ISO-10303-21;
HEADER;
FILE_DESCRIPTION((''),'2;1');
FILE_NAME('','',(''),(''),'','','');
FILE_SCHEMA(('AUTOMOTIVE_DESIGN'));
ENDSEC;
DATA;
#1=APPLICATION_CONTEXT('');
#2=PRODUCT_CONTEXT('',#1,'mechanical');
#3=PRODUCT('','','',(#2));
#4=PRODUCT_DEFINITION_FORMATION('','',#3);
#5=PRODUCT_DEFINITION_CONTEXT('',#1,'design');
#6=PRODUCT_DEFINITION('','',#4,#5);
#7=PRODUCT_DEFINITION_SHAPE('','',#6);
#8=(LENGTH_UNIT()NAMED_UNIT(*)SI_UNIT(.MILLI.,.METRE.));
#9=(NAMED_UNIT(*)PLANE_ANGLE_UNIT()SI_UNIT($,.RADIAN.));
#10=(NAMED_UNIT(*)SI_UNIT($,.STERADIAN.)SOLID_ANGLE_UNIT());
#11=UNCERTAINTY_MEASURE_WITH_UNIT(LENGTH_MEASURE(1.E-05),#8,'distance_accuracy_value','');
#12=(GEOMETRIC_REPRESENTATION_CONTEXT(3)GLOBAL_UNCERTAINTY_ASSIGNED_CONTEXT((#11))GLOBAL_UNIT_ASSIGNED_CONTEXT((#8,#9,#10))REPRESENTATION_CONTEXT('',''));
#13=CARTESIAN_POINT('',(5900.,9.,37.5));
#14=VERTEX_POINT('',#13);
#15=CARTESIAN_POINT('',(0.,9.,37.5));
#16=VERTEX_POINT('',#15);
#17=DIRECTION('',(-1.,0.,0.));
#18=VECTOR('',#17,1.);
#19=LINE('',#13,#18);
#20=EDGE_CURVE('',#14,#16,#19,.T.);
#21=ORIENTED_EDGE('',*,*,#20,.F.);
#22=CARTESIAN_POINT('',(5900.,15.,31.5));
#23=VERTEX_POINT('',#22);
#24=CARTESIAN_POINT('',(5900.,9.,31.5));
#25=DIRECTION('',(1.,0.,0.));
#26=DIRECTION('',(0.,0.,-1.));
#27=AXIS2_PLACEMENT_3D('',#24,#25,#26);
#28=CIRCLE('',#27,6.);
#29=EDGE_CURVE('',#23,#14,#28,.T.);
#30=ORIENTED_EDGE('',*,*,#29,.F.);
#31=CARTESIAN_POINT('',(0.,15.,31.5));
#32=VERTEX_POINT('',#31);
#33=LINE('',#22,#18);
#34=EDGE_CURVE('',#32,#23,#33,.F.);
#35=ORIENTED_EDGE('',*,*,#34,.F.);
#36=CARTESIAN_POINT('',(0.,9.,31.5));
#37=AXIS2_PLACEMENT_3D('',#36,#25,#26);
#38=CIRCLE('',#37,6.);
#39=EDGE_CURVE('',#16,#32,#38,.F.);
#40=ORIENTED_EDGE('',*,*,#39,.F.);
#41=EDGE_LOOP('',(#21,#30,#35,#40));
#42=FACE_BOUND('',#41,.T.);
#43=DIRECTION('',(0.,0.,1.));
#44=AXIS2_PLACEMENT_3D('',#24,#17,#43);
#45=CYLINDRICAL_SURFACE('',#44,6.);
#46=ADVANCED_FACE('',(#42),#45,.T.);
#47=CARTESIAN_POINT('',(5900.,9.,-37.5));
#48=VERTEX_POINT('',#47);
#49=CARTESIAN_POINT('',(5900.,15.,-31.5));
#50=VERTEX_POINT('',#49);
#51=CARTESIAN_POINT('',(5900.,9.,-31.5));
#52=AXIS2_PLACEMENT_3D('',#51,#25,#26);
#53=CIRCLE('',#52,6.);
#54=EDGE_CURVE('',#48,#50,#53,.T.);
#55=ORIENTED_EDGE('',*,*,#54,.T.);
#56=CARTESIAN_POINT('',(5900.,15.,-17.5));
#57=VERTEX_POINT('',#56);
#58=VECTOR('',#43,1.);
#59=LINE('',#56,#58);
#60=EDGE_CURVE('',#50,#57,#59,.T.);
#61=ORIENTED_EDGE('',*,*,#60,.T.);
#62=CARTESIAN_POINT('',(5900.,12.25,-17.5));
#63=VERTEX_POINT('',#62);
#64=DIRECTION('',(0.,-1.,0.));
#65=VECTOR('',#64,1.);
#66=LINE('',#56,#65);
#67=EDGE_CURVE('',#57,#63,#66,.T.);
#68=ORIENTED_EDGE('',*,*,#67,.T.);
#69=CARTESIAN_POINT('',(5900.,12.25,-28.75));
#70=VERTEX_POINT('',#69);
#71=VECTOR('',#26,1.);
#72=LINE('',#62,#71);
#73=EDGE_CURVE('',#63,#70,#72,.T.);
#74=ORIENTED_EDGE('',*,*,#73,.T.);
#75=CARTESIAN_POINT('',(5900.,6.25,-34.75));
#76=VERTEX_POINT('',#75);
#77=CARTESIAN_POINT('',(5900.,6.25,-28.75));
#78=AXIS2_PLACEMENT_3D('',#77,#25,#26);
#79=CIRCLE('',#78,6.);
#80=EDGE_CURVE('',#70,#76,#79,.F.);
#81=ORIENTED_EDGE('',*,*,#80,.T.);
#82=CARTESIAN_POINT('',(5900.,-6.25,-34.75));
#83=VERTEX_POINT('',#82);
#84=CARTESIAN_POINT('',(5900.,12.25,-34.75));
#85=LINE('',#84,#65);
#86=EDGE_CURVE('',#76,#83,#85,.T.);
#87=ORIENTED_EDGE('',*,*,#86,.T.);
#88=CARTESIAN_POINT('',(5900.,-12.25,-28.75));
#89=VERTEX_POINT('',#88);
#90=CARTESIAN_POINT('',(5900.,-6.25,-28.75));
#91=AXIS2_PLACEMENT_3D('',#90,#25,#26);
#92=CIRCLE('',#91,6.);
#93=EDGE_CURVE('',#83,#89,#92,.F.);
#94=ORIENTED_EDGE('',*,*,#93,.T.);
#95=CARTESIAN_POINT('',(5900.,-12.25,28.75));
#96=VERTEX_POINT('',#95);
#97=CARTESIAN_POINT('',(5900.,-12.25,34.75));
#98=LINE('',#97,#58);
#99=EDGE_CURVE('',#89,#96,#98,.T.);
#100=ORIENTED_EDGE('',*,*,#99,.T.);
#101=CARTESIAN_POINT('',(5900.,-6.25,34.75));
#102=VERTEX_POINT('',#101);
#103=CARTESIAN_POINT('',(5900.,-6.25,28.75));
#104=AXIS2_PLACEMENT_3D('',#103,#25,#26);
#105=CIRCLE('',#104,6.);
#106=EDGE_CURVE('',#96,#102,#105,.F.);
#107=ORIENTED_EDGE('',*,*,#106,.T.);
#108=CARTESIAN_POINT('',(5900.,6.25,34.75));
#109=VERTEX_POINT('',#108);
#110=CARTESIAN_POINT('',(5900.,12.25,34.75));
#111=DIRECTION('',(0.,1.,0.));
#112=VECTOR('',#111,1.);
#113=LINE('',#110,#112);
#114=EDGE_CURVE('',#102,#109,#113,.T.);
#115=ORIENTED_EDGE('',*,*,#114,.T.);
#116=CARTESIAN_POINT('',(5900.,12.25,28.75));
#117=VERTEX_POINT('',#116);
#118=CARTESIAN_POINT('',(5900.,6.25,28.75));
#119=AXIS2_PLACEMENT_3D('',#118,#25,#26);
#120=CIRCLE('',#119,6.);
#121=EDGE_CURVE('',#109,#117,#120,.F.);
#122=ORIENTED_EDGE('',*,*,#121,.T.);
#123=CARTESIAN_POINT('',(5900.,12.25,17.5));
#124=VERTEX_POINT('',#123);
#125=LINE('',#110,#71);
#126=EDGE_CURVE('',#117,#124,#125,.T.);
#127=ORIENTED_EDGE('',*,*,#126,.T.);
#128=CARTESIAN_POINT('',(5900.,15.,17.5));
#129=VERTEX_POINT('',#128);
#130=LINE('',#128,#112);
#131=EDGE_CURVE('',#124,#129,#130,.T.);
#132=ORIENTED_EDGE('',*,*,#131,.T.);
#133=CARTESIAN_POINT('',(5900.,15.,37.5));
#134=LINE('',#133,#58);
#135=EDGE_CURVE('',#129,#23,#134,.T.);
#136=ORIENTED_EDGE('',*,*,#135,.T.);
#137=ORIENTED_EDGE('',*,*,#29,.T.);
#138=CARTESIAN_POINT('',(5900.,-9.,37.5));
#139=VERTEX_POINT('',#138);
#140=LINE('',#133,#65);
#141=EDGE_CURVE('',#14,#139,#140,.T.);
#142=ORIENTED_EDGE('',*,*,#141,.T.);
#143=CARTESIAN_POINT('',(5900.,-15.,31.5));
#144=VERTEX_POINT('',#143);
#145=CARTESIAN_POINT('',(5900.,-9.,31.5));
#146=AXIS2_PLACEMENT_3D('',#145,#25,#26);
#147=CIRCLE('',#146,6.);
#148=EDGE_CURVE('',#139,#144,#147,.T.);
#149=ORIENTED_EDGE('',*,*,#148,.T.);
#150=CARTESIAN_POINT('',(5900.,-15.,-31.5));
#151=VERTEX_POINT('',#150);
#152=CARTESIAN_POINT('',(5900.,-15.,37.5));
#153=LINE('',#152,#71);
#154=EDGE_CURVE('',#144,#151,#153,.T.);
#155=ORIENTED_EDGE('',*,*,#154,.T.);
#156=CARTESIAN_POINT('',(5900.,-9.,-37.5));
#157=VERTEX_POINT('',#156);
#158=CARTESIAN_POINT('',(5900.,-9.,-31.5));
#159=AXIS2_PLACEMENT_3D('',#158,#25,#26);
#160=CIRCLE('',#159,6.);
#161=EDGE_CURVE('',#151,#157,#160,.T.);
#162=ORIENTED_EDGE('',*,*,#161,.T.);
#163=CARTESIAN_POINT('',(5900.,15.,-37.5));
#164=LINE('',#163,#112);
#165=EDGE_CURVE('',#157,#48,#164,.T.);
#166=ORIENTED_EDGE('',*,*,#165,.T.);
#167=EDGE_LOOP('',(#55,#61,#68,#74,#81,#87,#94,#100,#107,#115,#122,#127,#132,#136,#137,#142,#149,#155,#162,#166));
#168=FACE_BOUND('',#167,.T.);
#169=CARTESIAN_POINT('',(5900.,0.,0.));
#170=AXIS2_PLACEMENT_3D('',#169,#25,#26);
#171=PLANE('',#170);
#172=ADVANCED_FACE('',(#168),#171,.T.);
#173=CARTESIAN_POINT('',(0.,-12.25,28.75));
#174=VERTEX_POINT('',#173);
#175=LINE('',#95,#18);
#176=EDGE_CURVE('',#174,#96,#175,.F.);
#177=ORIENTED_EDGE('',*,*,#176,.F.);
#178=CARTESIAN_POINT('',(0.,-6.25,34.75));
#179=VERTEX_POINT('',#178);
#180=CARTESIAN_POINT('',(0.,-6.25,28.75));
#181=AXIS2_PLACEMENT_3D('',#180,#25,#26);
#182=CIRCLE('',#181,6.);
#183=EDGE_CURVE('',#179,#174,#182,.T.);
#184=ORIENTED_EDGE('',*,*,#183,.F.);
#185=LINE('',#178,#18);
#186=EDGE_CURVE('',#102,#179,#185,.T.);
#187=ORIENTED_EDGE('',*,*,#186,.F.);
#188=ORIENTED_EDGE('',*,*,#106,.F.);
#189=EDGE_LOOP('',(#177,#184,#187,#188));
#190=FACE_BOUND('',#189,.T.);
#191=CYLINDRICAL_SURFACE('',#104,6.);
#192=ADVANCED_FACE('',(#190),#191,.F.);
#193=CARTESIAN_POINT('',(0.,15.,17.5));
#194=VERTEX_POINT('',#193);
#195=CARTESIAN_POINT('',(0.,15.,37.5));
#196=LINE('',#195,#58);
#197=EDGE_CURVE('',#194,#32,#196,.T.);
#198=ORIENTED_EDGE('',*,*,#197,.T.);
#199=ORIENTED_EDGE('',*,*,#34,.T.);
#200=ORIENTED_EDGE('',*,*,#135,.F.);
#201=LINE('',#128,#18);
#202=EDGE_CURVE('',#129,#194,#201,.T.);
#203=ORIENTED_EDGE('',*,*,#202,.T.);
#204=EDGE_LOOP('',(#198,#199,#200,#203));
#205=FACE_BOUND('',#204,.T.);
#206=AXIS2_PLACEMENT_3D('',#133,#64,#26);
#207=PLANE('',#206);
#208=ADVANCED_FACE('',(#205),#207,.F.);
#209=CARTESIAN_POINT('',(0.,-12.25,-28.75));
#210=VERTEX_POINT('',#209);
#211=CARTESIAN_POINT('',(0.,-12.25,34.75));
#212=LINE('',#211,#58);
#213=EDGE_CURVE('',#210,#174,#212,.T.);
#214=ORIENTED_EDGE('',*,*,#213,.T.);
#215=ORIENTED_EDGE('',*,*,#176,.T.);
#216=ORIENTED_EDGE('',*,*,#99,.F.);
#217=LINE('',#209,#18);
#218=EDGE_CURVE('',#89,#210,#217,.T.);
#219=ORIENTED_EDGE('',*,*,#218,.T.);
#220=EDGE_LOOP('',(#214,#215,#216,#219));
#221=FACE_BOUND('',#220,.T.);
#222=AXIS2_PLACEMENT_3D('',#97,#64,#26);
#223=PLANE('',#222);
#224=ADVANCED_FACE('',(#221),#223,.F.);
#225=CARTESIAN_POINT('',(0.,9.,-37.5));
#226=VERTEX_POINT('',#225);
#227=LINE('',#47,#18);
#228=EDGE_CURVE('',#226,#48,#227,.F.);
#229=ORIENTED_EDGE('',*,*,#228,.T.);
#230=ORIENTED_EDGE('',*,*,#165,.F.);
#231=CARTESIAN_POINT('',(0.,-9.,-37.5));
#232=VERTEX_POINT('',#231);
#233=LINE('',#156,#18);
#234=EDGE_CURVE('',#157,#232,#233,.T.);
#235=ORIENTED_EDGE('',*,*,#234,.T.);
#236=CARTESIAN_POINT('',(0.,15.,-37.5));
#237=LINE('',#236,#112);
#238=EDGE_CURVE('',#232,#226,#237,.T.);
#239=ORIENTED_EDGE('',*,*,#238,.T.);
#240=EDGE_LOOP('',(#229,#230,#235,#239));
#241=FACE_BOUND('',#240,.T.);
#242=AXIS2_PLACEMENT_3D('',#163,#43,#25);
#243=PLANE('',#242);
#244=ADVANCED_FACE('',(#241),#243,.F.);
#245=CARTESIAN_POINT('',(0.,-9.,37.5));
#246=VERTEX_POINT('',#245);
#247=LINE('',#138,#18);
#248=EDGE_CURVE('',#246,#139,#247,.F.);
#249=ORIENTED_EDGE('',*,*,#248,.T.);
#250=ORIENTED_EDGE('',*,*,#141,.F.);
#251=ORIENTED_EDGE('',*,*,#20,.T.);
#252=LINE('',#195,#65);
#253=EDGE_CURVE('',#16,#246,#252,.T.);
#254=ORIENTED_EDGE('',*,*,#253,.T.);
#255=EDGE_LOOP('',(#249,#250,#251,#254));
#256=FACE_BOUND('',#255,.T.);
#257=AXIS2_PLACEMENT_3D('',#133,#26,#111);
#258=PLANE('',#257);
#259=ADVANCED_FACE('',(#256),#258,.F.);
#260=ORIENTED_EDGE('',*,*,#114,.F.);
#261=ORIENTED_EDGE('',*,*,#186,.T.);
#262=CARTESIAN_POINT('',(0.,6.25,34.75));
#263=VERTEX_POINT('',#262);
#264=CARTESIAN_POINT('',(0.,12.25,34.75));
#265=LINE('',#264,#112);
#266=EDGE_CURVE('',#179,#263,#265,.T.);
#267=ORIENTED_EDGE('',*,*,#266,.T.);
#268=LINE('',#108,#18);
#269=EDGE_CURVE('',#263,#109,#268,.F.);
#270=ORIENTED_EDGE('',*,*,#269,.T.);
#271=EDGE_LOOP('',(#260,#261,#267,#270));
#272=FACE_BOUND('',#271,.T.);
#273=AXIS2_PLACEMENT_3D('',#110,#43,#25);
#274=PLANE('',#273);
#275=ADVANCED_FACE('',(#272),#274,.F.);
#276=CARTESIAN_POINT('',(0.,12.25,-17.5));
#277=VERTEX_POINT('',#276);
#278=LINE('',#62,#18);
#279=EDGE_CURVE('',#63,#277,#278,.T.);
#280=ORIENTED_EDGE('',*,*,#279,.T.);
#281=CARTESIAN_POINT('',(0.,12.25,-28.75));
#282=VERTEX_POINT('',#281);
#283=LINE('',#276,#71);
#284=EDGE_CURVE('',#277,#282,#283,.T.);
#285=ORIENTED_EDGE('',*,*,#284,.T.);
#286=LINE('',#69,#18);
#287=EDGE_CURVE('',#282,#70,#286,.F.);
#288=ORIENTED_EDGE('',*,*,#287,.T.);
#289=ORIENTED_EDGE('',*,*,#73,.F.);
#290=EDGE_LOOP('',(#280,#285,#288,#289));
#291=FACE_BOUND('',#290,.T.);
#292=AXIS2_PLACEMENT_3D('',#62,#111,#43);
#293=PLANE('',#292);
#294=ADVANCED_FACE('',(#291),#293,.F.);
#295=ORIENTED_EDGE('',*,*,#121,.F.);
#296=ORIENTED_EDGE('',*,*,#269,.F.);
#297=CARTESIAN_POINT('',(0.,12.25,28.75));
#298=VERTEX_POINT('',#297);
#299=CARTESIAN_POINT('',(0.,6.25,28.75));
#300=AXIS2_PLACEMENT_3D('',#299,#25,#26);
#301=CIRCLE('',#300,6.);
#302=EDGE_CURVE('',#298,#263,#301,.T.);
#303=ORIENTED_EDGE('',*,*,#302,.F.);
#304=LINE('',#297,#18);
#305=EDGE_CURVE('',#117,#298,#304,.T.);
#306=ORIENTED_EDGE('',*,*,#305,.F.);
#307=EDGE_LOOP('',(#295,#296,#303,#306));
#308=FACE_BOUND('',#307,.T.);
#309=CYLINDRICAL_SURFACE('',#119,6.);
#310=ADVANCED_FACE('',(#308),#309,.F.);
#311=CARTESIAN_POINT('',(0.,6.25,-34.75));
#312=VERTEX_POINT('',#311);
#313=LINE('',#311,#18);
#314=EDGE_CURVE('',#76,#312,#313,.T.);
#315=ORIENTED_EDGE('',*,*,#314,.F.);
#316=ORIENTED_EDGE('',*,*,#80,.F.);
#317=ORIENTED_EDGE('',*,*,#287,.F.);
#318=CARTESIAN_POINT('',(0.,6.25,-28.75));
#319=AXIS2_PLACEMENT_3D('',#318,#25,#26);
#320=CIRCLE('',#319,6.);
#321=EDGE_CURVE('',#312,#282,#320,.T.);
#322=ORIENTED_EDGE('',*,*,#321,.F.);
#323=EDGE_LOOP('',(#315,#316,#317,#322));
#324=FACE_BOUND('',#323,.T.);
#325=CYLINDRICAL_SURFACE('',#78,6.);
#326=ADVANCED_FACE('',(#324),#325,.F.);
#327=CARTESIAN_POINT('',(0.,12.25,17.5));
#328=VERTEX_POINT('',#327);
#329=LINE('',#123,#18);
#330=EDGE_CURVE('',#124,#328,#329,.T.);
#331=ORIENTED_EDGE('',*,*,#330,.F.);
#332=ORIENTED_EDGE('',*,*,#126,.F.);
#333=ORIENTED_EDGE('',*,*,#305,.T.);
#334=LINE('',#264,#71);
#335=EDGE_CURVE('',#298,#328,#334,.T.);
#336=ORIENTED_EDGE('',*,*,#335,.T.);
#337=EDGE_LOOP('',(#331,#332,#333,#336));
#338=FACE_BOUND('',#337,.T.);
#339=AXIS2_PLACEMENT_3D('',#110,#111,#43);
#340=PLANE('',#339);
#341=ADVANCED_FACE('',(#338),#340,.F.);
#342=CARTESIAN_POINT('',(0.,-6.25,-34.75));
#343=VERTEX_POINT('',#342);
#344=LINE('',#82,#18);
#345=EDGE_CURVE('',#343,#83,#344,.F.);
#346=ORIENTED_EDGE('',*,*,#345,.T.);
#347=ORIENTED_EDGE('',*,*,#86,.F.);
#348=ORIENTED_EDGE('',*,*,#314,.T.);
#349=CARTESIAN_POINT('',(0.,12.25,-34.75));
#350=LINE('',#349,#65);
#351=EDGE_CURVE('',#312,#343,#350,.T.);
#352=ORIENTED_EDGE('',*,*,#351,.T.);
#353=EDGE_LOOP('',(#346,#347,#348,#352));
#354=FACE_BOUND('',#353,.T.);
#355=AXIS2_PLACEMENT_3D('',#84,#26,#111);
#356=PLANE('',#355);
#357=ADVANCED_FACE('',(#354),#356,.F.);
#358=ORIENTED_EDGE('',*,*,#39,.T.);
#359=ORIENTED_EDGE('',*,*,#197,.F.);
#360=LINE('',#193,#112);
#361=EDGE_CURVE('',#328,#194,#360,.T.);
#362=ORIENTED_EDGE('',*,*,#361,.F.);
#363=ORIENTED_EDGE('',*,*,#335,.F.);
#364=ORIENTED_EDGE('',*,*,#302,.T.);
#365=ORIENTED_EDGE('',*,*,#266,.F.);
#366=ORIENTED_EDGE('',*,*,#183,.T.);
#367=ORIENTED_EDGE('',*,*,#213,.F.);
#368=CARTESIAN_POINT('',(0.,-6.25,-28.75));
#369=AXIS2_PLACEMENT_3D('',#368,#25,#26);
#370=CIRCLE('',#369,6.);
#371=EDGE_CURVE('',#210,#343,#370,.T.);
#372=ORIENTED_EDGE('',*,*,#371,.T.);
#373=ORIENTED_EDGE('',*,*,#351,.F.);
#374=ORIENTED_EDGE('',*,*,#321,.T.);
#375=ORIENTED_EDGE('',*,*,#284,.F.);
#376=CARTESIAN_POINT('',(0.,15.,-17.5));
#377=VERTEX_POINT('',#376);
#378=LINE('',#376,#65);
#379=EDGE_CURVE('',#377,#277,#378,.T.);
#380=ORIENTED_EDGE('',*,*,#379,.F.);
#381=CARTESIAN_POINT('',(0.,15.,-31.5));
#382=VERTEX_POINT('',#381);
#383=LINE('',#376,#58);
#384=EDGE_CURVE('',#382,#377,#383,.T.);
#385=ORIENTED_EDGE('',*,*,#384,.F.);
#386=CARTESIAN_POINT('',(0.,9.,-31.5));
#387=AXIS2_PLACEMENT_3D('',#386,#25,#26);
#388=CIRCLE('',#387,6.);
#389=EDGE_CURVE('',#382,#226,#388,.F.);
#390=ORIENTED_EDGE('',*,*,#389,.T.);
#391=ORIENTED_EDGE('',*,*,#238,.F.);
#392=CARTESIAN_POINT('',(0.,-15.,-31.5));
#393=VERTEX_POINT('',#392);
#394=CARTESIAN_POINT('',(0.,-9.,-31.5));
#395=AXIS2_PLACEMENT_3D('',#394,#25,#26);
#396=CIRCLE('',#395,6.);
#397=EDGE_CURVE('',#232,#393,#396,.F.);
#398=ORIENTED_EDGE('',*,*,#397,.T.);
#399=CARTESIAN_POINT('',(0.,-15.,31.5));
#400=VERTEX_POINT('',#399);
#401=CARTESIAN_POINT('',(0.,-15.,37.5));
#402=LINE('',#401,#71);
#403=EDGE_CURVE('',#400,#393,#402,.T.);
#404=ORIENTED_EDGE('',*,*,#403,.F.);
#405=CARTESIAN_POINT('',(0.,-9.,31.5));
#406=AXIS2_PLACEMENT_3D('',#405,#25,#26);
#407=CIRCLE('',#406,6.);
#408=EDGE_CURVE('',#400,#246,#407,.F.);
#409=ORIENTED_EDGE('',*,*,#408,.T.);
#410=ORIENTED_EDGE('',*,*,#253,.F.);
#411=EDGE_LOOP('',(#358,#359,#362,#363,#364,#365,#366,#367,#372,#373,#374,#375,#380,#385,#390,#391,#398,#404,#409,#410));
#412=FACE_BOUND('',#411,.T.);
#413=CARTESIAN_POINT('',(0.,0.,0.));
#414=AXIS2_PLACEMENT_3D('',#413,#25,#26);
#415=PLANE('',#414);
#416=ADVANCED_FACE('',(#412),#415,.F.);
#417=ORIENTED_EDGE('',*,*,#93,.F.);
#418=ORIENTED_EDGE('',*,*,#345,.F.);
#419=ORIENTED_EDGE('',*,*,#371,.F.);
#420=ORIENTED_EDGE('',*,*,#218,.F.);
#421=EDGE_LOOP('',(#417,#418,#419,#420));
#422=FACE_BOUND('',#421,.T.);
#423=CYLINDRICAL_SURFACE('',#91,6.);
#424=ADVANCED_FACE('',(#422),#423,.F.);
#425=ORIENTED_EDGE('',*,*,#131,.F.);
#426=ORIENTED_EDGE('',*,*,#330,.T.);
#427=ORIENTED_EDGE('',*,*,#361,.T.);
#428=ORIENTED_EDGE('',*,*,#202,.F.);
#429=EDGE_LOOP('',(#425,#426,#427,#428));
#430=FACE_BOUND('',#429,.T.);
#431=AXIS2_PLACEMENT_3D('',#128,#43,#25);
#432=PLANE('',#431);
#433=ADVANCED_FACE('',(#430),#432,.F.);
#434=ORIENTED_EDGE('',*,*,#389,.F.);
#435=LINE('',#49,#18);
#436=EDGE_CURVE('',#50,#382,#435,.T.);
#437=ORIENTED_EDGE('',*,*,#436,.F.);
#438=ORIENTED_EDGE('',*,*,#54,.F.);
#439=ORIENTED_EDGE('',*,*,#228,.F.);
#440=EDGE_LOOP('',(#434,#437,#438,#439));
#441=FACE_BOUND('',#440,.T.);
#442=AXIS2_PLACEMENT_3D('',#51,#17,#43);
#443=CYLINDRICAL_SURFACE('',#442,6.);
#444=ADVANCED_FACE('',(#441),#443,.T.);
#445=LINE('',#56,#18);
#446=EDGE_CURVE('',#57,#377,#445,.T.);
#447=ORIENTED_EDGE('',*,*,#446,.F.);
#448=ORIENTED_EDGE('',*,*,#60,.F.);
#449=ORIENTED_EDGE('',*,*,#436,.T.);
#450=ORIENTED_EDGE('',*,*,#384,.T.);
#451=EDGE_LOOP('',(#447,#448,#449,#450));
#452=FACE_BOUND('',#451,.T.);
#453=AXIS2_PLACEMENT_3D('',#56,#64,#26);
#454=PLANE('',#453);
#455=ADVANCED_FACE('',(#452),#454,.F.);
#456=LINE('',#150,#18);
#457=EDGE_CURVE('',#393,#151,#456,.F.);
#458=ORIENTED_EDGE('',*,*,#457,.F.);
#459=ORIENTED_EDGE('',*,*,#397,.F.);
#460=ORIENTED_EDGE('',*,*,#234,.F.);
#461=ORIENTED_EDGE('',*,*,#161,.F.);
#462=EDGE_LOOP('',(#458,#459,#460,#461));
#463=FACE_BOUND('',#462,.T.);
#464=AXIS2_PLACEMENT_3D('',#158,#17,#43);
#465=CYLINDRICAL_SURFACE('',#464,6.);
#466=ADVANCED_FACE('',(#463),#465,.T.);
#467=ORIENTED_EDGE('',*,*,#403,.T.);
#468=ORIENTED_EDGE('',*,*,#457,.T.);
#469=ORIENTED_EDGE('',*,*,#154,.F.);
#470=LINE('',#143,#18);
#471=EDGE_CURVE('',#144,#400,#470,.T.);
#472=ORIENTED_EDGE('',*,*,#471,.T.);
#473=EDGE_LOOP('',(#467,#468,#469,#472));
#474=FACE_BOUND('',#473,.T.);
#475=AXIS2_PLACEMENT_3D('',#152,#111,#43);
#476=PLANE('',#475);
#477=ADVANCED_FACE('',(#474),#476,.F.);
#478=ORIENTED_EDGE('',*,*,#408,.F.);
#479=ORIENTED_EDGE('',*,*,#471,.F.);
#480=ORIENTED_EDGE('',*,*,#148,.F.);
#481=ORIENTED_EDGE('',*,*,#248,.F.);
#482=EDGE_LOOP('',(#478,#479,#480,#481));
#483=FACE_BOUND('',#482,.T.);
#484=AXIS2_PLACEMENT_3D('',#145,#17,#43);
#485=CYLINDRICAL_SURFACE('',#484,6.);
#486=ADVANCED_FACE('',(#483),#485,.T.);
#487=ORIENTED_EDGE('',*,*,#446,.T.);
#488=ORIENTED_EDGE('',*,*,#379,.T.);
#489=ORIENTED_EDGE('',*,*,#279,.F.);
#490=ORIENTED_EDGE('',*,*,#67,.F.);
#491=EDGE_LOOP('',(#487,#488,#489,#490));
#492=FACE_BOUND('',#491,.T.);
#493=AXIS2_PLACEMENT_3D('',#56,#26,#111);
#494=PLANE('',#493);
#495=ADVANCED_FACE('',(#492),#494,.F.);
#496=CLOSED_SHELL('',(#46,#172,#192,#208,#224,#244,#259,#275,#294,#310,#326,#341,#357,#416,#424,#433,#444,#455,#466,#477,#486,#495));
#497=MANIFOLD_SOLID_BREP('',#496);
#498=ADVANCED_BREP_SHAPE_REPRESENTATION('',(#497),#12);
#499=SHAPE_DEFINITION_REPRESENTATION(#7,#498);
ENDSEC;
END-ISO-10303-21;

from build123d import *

# Parameters (mm, degrees)
RESSALTO_EXTRUS_O1_DEPTH = 5900
FILETE1_R                = 6


with BuildPart() as part:
    # Esboço1 → Ressalto-extrusão1 (new body)
    with BuildSketch(Plane(origin=(0, 0, 0), x_dir=(0, 0, -1), z_dir=(1, 0, 0))):
        Polygon((-34.75, 12.25), (-34.75, -12.25), (34.75, -12.25), (34.75, 12.25), (17.5, 12.25), (17.5, 15), (37.5, 15), (37.5, -15), (-37.5, -15), (-37.5, 15), (-17.5, 15), (-17.5, 12.25), align=None)
    extrude(amount=RESSALTO_EXTRUS_O1_DEPTH)

    # Filete1
    filete1_edges = [part.edges().sort_by_distance(p)[0] for p in [
        (2950, -15, -37.5),
        (2950, -15, 37.5),
        (2950, 15, 37.5),
        (2950, 12.25, 34.75),
        (2950, -12.25, 34.75),
        (2950, -12.25, -34.75),
        (2950, 12.25, -34.75),
        (2950, 15, -37.5),
    ]]
    fillet(filete1_edges, radius=FILETE1_R)


solid = part.part
